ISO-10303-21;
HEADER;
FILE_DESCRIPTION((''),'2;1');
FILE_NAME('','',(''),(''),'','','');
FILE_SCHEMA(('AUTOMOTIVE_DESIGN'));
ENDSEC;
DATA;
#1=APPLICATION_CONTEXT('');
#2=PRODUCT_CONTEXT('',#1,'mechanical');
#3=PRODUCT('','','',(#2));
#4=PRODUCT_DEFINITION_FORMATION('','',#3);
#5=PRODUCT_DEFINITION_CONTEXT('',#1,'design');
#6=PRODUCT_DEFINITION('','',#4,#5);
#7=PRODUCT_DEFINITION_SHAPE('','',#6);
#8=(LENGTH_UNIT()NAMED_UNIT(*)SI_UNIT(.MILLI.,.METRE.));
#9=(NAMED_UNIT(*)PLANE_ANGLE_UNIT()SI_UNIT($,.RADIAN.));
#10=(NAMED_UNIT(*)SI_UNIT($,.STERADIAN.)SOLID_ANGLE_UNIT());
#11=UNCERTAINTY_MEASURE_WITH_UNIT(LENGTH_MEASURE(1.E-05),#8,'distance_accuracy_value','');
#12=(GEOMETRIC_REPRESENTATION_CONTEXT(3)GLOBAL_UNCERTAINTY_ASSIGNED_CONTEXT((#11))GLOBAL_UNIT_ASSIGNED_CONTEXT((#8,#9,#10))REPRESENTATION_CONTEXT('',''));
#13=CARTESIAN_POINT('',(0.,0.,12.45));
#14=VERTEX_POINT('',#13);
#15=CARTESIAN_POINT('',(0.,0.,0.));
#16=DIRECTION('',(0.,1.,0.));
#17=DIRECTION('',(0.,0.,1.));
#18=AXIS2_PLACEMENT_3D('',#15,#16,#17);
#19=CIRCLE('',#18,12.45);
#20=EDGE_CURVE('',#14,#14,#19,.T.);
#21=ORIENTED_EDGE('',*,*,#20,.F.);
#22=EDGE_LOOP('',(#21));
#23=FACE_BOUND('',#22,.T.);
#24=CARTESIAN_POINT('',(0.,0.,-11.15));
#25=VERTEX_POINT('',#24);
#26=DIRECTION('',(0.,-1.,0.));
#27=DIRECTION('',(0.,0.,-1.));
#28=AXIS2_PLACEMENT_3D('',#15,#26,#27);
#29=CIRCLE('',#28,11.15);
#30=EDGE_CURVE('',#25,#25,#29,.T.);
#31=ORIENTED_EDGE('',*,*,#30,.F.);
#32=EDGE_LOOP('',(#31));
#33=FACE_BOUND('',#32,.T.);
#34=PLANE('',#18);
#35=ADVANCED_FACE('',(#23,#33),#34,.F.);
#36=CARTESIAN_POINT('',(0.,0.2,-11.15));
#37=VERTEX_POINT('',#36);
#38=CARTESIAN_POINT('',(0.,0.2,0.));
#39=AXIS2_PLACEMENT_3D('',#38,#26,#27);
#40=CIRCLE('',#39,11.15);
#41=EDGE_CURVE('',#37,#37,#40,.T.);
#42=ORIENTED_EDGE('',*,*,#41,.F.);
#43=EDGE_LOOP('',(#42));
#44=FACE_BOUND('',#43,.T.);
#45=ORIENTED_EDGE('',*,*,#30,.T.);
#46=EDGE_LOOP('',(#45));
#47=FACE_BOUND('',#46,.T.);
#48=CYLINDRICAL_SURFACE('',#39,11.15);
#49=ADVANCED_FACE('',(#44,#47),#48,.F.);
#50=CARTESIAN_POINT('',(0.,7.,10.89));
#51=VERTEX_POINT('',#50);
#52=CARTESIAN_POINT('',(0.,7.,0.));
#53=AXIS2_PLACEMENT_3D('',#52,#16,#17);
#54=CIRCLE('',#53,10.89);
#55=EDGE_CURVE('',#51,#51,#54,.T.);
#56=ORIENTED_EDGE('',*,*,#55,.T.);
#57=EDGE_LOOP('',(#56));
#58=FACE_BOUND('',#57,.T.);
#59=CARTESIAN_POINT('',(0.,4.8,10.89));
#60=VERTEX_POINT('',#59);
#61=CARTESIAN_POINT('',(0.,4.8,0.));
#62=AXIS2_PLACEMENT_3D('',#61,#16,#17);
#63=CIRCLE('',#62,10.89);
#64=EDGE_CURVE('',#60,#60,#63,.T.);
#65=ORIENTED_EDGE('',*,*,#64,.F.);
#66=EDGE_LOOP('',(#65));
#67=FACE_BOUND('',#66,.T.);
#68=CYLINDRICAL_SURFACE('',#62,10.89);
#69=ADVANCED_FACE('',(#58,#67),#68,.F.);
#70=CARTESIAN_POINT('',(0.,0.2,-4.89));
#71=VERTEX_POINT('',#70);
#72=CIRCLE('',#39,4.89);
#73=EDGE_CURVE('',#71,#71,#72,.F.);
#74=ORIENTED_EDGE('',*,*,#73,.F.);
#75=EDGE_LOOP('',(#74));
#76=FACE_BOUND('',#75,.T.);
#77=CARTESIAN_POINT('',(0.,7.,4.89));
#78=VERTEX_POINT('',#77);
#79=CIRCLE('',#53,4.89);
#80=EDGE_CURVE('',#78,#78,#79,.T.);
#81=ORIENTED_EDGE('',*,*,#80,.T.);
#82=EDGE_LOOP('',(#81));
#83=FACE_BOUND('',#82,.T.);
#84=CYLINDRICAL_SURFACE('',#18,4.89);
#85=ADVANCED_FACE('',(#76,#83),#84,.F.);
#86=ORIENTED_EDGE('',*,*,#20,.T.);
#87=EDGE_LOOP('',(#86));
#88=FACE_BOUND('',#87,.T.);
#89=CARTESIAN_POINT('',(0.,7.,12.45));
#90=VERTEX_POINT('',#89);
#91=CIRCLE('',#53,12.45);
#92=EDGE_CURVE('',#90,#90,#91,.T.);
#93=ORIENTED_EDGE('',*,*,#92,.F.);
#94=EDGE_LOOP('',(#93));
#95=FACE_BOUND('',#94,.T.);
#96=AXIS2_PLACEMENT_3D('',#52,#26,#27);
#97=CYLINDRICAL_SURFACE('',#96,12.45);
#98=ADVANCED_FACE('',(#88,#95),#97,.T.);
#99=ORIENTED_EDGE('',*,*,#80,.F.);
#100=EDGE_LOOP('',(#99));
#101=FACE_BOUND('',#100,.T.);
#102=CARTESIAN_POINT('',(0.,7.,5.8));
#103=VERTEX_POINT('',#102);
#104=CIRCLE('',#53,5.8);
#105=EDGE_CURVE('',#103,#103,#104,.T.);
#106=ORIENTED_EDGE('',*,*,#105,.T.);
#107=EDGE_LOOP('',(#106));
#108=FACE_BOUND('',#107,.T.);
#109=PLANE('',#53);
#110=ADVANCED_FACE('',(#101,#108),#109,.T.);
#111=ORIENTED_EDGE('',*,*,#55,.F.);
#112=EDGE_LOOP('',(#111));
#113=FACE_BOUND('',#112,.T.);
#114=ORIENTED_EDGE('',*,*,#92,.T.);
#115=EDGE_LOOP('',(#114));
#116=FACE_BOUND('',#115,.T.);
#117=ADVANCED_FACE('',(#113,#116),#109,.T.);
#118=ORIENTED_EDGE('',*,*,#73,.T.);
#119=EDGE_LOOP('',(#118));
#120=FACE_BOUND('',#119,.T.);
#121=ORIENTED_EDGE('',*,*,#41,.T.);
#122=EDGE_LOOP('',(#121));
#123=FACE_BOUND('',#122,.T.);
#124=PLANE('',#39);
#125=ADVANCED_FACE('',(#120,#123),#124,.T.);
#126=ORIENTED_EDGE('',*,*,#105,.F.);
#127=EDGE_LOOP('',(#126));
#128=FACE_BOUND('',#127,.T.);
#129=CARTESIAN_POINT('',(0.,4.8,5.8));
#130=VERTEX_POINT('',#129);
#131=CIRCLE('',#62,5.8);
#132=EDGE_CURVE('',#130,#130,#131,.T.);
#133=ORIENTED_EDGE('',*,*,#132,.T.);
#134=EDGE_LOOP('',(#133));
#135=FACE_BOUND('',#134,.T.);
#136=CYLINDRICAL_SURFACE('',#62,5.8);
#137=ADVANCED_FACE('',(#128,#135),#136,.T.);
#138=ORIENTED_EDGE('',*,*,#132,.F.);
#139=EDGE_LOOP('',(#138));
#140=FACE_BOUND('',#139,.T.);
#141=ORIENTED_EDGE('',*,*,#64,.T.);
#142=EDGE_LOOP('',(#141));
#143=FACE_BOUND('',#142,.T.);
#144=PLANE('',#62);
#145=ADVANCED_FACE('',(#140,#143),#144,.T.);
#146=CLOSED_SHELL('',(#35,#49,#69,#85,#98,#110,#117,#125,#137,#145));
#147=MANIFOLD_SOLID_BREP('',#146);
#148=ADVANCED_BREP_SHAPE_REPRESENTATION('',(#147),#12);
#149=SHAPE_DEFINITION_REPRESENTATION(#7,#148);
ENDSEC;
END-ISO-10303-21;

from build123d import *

# Parameters (mm, degrees)
SKETCH1_R           = 12.45
BOSS_EXTRUDE1_DEPTH = 7
SKETCH2_R           = 4.89
CUT_EXTRUDE1_DEPTH  = 19.947427266
SKETCH3_R           = 10.89
SKETCH3_R_2         = 5.8
CUT_EXTRUDE2_DEPTH  = 2.2
SKETCH4_R           = 11.15
CUT_EXTRUDE3_DEPTH  = 0.2


with BuildPart() as part:
    # Sketch1 → Boss-Extrude1 (new body)
    with BuildSketch(Plane(origin=(0, 0, 0), x_dir=(1, 0, 0), z_dir=(0, 1, 0))):
        with Locations(Location((0, 0, 0), (0, 0, 270))):
            Circle(SKETCH1_R)
    extrude(amount=BOSS_EXTRUDE1_DEPTH)

    # Sketch2 → Cut-Extrude1 (cut, through all)
    with BuildSketch(Plane(origin=(0, 7, 0), x_dir=(1, 0, 0), z_dir=(0, 1, 0))):
        with Locations(Location((0, 0, 0), (0, 0, 270))):
            Circle(SKETCH2_R)
    extrude(amount=-CUT_EXTRUDE1_DEPTH, mode=Mode.SUBTRACT)

    # Sketch3 → Cut-Extrude2 (cut)
    with BuildSketch(Plane(origin=(0, 7, 0), x_dir=(1, 0, 0), z_dir=(0, 1, 0))):
        with Locations(Location((0, 0, 0), (0, 0, 270))):
            Circle(SKETCH3_R)
        with Locations(Location((0, 0, 0), (0, 0, 270))):
            Circle(SKETCH3_R_2, mode=Mode.SUBTRACT)
    extrude(amount=-CUT_EXTRUDE2_DEPTH, mode=Mode.SUBTRACT)

    # Sketch4 → Cut-Extrude3 (cut)
    with BuildSketch(Plane.XZ):
        with Locations(Location((0, 0, 0), (0, 0, 270))):
            Circle(SKETCH4_R)
    extrude(amount=-CUT_EXTRUDE3_DEPTH, mode=Mode.SUBTRACT)


solid = part.part
